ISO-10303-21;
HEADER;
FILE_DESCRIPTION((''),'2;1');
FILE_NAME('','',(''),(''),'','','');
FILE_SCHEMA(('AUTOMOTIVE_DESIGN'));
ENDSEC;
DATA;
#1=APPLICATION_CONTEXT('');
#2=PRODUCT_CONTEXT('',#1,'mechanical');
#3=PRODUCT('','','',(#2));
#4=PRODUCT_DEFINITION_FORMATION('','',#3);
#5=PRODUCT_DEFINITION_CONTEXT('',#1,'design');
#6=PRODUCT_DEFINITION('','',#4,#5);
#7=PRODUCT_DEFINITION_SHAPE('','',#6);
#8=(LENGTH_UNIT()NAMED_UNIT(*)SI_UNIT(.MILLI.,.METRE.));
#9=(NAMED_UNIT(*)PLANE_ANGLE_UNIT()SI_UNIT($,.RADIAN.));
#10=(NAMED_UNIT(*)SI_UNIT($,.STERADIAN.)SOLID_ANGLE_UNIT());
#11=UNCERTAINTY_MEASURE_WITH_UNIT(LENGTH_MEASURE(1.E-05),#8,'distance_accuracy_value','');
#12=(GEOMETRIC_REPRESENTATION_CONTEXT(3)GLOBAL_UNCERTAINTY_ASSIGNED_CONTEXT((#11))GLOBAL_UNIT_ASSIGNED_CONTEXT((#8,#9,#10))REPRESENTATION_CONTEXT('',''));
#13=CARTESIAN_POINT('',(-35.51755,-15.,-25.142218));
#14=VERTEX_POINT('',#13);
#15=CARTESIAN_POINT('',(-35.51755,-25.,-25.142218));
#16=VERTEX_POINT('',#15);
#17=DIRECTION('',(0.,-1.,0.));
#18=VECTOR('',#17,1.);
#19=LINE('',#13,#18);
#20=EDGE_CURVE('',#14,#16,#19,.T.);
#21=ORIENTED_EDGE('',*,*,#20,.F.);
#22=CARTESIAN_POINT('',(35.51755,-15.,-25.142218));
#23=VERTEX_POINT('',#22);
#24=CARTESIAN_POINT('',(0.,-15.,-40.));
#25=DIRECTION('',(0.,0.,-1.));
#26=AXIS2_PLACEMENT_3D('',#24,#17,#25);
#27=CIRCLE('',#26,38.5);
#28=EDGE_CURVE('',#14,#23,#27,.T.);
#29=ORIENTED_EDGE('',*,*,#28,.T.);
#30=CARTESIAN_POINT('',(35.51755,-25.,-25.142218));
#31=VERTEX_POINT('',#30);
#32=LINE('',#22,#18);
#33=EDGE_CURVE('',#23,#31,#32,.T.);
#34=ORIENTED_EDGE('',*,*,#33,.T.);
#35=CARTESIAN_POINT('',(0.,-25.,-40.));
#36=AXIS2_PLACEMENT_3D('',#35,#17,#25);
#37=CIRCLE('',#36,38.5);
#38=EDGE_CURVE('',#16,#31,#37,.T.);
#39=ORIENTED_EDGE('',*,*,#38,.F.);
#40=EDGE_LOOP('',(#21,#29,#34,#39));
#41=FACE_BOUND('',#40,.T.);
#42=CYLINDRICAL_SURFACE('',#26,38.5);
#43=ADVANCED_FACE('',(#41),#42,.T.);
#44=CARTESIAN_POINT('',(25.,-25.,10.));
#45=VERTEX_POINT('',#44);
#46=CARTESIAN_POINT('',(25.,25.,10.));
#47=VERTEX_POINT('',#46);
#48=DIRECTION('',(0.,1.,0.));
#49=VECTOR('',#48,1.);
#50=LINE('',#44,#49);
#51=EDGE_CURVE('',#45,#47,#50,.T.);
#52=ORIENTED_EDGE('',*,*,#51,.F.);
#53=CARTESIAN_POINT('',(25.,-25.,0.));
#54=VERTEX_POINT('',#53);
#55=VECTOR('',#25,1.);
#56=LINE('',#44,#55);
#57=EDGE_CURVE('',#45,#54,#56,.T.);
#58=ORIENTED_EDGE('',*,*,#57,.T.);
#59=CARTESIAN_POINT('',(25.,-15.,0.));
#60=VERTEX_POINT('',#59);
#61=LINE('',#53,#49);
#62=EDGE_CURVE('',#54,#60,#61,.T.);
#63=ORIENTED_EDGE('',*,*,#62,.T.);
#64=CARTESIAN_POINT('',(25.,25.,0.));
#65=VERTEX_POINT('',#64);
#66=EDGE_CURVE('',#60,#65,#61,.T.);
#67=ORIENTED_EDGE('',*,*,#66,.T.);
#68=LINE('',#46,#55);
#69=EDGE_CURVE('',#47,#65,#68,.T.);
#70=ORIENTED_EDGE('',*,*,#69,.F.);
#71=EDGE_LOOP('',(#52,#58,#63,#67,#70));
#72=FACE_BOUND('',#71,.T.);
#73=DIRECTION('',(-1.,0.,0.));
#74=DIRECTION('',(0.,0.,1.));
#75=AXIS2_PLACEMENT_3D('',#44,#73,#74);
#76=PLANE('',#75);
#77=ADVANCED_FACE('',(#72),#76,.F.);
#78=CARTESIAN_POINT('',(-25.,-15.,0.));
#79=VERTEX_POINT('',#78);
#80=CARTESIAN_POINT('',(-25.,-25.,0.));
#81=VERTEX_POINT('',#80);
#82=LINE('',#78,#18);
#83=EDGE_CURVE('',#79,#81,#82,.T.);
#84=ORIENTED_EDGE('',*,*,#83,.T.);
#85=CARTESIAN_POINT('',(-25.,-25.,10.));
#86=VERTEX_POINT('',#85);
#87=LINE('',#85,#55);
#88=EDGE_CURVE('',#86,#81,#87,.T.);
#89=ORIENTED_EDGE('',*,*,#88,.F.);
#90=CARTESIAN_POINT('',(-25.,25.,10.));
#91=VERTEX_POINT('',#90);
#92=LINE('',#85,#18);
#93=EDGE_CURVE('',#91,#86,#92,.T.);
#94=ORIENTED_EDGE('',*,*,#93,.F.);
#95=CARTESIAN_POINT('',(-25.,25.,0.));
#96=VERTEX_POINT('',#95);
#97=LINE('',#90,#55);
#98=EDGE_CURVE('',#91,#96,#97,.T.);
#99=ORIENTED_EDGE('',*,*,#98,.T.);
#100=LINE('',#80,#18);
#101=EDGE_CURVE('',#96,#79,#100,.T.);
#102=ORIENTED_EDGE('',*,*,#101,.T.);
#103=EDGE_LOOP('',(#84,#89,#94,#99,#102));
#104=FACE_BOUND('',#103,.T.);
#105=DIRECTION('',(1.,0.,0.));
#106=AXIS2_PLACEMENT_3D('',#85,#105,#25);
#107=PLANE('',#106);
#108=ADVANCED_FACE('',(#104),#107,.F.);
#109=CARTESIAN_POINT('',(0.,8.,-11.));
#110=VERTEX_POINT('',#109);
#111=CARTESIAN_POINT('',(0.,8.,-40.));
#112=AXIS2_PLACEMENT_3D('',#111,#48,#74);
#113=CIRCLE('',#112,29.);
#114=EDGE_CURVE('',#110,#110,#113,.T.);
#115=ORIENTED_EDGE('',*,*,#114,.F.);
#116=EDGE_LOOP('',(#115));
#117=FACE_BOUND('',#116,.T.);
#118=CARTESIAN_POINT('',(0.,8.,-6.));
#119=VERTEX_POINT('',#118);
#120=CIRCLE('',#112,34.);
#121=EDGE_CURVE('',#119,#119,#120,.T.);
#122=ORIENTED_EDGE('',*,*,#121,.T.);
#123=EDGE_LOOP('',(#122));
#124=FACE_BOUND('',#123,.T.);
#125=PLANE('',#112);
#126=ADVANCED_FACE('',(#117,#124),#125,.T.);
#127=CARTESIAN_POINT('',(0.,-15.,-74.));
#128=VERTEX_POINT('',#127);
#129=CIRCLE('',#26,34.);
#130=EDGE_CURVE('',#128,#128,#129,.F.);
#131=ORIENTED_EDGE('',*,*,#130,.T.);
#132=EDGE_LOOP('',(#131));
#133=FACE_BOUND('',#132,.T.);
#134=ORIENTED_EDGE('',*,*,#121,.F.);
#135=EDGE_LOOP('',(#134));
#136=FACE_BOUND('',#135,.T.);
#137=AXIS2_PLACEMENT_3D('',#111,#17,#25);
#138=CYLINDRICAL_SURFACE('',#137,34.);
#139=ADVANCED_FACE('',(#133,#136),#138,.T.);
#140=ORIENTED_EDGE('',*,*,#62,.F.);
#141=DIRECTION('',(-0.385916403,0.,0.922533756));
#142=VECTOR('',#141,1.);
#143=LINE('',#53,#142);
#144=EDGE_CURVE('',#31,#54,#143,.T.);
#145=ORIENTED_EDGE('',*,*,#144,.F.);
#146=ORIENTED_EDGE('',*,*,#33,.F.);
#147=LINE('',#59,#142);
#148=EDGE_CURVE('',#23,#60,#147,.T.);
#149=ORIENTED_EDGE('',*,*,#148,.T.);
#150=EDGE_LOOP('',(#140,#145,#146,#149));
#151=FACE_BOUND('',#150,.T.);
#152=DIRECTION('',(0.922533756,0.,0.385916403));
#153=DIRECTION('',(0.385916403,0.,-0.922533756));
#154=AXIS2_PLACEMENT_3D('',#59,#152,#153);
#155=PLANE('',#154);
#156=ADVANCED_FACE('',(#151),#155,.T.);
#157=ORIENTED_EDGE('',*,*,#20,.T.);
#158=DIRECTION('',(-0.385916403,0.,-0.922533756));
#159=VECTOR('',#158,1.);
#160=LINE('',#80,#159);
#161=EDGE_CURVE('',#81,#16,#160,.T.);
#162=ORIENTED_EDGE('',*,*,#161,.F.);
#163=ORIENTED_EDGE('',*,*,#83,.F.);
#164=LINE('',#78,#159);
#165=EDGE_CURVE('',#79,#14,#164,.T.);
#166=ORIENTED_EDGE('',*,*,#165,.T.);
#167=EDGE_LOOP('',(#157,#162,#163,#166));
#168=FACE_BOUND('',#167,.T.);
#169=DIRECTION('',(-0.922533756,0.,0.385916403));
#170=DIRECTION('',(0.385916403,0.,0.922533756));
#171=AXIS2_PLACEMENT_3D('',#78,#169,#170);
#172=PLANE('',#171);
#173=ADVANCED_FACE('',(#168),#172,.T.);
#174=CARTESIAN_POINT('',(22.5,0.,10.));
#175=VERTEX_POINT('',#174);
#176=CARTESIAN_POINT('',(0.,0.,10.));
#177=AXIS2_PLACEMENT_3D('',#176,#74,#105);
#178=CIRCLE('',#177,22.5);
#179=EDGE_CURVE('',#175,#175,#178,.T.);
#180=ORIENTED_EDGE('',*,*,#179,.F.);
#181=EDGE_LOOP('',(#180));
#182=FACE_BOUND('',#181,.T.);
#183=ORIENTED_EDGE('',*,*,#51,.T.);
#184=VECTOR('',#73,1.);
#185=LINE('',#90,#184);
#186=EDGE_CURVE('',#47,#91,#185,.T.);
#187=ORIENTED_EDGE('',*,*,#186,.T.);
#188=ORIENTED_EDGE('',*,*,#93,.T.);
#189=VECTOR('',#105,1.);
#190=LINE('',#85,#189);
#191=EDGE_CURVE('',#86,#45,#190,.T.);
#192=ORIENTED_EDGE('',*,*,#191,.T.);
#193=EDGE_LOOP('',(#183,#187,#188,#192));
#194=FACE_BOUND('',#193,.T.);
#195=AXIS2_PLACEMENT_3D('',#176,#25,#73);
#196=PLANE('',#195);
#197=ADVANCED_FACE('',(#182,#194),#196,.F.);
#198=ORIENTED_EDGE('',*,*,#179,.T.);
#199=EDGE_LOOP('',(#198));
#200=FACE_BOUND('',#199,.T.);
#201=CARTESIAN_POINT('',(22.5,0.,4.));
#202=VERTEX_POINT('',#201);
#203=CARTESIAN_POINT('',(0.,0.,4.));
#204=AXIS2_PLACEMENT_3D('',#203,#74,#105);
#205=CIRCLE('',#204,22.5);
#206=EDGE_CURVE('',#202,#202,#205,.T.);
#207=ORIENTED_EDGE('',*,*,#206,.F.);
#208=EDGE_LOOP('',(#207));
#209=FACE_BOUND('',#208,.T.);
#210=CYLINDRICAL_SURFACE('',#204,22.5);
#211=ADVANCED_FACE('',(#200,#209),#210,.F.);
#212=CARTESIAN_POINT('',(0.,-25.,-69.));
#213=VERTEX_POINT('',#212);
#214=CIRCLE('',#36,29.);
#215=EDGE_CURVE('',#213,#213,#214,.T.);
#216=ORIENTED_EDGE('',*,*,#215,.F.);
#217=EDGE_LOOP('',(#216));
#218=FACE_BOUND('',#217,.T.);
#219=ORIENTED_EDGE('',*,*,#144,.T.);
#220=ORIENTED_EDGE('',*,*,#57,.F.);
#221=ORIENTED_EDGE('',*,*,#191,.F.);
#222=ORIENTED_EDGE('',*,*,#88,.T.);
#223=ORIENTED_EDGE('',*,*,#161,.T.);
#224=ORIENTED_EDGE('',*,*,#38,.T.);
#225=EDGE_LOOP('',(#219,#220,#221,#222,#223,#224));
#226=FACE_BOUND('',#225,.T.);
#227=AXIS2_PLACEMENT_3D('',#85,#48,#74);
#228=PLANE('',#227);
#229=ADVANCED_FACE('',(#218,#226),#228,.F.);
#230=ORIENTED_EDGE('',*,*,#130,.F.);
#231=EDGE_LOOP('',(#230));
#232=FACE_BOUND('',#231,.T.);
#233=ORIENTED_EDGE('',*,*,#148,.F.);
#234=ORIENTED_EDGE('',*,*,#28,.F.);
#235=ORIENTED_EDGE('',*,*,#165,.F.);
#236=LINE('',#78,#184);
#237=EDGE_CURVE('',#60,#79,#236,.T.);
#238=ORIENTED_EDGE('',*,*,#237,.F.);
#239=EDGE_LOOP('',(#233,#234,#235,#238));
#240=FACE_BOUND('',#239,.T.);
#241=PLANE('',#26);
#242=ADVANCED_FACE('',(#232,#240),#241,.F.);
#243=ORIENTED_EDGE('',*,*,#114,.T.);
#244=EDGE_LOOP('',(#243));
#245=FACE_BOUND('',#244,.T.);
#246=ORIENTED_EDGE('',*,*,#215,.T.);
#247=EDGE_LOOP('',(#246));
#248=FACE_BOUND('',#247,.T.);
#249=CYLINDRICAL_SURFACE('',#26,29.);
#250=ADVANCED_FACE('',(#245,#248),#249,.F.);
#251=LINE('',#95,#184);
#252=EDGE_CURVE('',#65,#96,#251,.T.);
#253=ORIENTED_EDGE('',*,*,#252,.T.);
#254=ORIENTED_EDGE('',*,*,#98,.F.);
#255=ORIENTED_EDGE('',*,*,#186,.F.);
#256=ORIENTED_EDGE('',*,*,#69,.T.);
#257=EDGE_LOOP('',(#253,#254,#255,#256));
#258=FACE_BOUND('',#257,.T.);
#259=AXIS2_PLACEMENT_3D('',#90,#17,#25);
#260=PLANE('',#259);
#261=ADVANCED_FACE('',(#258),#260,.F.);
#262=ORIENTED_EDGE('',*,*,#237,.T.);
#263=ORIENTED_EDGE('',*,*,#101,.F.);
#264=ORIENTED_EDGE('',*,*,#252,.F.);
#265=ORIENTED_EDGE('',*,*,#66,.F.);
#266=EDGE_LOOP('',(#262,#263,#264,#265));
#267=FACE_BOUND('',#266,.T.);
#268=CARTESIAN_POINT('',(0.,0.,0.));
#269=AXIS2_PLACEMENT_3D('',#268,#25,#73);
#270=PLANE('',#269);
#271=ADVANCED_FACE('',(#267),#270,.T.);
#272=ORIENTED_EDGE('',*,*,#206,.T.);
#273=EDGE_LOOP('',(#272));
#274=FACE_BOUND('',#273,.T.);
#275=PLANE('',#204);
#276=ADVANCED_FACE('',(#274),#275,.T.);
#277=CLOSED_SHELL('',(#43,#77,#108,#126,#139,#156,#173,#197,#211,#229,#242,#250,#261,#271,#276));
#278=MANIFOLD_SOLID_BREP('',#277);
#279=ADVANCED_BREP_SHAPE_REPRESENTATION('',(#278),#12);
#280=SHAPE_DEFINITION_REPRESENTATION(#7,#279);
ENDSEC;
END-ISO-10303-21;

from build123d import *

# Parameters (mm, degrees)
SKETCH_1_W          = 50
SKETCH_1_H          = 50
EXTRUDE_1_DEPTH     = 10
SKETCH_2_R          = 29
EXTRUDE_2_DEPTH     = 10
SKETCH_3_R          = 22.5
CUT_EXTRUDE_1_DEPTH = 6
SKETCH_4_R          = 34
SKETCH_4_R_2        = 29
EXTRUDE_3_DEPTH     = 23


with BuildPart() as part:
    # 草图1 → 凸台-拉伸1 (new body)
    with BuildSketch(Plane.XY):
        Rectangle(SKETCH_1_W, SKETCH_1_H)
    extrude(amount=EXTRUDE_1_DEPTH)

    # 草图2 → 凸台-拉伸2 (add)
    with BuildSketch(Plane.XZ.offset(25)):
        with BuildLine():
            Line((-25, 0), (-35.517549587, -25.142218492))
            ThreePointArc((-35.517549587, -25.142218492), (0, -78.5), (35.517549587, -25.142218492))
            Line((35.517549587, -25.142218492), (25, 0))
            Line((25, 0), (-25, 0))
        make_face()
        with Locations(Location((0, -40, 0), (0, 0, 270))):
            Circle(SKETCH_2_R, mode=Mode.SUBTRACT)
    extrude(amount=-EXTRUDE_2_DEPTH)

    # 草图3 → 切除-拉伸1 (cut)
    with BuildSketch(Plane.XY.offset(10)):
        Circle(SKETCH_3_R)
    extrude(amount=-CUT_EXTRUDE_1_DEPTH, mode=Mode.SUBTRACT)

    # 草图4 → 凸台-拉伸3 (add)
    with BuildSketch(Plane(origin=(0, -15, 0), x_dir=(1, 0, 0), z_dir=(0, 1, 0))):
        with Locations(Location((0, 40, 0), (0, 0, 90))):
            Circle(SKETCH_4_R)
        with Locations(Location((0, 40, 0), (0, 0, 90))):
            Circle(SKETCH_4_R_2, mode=Mode.SUBTRACT)
    extrude(amount=EXTRUDE_3_DEPTH)


solid = part.part
